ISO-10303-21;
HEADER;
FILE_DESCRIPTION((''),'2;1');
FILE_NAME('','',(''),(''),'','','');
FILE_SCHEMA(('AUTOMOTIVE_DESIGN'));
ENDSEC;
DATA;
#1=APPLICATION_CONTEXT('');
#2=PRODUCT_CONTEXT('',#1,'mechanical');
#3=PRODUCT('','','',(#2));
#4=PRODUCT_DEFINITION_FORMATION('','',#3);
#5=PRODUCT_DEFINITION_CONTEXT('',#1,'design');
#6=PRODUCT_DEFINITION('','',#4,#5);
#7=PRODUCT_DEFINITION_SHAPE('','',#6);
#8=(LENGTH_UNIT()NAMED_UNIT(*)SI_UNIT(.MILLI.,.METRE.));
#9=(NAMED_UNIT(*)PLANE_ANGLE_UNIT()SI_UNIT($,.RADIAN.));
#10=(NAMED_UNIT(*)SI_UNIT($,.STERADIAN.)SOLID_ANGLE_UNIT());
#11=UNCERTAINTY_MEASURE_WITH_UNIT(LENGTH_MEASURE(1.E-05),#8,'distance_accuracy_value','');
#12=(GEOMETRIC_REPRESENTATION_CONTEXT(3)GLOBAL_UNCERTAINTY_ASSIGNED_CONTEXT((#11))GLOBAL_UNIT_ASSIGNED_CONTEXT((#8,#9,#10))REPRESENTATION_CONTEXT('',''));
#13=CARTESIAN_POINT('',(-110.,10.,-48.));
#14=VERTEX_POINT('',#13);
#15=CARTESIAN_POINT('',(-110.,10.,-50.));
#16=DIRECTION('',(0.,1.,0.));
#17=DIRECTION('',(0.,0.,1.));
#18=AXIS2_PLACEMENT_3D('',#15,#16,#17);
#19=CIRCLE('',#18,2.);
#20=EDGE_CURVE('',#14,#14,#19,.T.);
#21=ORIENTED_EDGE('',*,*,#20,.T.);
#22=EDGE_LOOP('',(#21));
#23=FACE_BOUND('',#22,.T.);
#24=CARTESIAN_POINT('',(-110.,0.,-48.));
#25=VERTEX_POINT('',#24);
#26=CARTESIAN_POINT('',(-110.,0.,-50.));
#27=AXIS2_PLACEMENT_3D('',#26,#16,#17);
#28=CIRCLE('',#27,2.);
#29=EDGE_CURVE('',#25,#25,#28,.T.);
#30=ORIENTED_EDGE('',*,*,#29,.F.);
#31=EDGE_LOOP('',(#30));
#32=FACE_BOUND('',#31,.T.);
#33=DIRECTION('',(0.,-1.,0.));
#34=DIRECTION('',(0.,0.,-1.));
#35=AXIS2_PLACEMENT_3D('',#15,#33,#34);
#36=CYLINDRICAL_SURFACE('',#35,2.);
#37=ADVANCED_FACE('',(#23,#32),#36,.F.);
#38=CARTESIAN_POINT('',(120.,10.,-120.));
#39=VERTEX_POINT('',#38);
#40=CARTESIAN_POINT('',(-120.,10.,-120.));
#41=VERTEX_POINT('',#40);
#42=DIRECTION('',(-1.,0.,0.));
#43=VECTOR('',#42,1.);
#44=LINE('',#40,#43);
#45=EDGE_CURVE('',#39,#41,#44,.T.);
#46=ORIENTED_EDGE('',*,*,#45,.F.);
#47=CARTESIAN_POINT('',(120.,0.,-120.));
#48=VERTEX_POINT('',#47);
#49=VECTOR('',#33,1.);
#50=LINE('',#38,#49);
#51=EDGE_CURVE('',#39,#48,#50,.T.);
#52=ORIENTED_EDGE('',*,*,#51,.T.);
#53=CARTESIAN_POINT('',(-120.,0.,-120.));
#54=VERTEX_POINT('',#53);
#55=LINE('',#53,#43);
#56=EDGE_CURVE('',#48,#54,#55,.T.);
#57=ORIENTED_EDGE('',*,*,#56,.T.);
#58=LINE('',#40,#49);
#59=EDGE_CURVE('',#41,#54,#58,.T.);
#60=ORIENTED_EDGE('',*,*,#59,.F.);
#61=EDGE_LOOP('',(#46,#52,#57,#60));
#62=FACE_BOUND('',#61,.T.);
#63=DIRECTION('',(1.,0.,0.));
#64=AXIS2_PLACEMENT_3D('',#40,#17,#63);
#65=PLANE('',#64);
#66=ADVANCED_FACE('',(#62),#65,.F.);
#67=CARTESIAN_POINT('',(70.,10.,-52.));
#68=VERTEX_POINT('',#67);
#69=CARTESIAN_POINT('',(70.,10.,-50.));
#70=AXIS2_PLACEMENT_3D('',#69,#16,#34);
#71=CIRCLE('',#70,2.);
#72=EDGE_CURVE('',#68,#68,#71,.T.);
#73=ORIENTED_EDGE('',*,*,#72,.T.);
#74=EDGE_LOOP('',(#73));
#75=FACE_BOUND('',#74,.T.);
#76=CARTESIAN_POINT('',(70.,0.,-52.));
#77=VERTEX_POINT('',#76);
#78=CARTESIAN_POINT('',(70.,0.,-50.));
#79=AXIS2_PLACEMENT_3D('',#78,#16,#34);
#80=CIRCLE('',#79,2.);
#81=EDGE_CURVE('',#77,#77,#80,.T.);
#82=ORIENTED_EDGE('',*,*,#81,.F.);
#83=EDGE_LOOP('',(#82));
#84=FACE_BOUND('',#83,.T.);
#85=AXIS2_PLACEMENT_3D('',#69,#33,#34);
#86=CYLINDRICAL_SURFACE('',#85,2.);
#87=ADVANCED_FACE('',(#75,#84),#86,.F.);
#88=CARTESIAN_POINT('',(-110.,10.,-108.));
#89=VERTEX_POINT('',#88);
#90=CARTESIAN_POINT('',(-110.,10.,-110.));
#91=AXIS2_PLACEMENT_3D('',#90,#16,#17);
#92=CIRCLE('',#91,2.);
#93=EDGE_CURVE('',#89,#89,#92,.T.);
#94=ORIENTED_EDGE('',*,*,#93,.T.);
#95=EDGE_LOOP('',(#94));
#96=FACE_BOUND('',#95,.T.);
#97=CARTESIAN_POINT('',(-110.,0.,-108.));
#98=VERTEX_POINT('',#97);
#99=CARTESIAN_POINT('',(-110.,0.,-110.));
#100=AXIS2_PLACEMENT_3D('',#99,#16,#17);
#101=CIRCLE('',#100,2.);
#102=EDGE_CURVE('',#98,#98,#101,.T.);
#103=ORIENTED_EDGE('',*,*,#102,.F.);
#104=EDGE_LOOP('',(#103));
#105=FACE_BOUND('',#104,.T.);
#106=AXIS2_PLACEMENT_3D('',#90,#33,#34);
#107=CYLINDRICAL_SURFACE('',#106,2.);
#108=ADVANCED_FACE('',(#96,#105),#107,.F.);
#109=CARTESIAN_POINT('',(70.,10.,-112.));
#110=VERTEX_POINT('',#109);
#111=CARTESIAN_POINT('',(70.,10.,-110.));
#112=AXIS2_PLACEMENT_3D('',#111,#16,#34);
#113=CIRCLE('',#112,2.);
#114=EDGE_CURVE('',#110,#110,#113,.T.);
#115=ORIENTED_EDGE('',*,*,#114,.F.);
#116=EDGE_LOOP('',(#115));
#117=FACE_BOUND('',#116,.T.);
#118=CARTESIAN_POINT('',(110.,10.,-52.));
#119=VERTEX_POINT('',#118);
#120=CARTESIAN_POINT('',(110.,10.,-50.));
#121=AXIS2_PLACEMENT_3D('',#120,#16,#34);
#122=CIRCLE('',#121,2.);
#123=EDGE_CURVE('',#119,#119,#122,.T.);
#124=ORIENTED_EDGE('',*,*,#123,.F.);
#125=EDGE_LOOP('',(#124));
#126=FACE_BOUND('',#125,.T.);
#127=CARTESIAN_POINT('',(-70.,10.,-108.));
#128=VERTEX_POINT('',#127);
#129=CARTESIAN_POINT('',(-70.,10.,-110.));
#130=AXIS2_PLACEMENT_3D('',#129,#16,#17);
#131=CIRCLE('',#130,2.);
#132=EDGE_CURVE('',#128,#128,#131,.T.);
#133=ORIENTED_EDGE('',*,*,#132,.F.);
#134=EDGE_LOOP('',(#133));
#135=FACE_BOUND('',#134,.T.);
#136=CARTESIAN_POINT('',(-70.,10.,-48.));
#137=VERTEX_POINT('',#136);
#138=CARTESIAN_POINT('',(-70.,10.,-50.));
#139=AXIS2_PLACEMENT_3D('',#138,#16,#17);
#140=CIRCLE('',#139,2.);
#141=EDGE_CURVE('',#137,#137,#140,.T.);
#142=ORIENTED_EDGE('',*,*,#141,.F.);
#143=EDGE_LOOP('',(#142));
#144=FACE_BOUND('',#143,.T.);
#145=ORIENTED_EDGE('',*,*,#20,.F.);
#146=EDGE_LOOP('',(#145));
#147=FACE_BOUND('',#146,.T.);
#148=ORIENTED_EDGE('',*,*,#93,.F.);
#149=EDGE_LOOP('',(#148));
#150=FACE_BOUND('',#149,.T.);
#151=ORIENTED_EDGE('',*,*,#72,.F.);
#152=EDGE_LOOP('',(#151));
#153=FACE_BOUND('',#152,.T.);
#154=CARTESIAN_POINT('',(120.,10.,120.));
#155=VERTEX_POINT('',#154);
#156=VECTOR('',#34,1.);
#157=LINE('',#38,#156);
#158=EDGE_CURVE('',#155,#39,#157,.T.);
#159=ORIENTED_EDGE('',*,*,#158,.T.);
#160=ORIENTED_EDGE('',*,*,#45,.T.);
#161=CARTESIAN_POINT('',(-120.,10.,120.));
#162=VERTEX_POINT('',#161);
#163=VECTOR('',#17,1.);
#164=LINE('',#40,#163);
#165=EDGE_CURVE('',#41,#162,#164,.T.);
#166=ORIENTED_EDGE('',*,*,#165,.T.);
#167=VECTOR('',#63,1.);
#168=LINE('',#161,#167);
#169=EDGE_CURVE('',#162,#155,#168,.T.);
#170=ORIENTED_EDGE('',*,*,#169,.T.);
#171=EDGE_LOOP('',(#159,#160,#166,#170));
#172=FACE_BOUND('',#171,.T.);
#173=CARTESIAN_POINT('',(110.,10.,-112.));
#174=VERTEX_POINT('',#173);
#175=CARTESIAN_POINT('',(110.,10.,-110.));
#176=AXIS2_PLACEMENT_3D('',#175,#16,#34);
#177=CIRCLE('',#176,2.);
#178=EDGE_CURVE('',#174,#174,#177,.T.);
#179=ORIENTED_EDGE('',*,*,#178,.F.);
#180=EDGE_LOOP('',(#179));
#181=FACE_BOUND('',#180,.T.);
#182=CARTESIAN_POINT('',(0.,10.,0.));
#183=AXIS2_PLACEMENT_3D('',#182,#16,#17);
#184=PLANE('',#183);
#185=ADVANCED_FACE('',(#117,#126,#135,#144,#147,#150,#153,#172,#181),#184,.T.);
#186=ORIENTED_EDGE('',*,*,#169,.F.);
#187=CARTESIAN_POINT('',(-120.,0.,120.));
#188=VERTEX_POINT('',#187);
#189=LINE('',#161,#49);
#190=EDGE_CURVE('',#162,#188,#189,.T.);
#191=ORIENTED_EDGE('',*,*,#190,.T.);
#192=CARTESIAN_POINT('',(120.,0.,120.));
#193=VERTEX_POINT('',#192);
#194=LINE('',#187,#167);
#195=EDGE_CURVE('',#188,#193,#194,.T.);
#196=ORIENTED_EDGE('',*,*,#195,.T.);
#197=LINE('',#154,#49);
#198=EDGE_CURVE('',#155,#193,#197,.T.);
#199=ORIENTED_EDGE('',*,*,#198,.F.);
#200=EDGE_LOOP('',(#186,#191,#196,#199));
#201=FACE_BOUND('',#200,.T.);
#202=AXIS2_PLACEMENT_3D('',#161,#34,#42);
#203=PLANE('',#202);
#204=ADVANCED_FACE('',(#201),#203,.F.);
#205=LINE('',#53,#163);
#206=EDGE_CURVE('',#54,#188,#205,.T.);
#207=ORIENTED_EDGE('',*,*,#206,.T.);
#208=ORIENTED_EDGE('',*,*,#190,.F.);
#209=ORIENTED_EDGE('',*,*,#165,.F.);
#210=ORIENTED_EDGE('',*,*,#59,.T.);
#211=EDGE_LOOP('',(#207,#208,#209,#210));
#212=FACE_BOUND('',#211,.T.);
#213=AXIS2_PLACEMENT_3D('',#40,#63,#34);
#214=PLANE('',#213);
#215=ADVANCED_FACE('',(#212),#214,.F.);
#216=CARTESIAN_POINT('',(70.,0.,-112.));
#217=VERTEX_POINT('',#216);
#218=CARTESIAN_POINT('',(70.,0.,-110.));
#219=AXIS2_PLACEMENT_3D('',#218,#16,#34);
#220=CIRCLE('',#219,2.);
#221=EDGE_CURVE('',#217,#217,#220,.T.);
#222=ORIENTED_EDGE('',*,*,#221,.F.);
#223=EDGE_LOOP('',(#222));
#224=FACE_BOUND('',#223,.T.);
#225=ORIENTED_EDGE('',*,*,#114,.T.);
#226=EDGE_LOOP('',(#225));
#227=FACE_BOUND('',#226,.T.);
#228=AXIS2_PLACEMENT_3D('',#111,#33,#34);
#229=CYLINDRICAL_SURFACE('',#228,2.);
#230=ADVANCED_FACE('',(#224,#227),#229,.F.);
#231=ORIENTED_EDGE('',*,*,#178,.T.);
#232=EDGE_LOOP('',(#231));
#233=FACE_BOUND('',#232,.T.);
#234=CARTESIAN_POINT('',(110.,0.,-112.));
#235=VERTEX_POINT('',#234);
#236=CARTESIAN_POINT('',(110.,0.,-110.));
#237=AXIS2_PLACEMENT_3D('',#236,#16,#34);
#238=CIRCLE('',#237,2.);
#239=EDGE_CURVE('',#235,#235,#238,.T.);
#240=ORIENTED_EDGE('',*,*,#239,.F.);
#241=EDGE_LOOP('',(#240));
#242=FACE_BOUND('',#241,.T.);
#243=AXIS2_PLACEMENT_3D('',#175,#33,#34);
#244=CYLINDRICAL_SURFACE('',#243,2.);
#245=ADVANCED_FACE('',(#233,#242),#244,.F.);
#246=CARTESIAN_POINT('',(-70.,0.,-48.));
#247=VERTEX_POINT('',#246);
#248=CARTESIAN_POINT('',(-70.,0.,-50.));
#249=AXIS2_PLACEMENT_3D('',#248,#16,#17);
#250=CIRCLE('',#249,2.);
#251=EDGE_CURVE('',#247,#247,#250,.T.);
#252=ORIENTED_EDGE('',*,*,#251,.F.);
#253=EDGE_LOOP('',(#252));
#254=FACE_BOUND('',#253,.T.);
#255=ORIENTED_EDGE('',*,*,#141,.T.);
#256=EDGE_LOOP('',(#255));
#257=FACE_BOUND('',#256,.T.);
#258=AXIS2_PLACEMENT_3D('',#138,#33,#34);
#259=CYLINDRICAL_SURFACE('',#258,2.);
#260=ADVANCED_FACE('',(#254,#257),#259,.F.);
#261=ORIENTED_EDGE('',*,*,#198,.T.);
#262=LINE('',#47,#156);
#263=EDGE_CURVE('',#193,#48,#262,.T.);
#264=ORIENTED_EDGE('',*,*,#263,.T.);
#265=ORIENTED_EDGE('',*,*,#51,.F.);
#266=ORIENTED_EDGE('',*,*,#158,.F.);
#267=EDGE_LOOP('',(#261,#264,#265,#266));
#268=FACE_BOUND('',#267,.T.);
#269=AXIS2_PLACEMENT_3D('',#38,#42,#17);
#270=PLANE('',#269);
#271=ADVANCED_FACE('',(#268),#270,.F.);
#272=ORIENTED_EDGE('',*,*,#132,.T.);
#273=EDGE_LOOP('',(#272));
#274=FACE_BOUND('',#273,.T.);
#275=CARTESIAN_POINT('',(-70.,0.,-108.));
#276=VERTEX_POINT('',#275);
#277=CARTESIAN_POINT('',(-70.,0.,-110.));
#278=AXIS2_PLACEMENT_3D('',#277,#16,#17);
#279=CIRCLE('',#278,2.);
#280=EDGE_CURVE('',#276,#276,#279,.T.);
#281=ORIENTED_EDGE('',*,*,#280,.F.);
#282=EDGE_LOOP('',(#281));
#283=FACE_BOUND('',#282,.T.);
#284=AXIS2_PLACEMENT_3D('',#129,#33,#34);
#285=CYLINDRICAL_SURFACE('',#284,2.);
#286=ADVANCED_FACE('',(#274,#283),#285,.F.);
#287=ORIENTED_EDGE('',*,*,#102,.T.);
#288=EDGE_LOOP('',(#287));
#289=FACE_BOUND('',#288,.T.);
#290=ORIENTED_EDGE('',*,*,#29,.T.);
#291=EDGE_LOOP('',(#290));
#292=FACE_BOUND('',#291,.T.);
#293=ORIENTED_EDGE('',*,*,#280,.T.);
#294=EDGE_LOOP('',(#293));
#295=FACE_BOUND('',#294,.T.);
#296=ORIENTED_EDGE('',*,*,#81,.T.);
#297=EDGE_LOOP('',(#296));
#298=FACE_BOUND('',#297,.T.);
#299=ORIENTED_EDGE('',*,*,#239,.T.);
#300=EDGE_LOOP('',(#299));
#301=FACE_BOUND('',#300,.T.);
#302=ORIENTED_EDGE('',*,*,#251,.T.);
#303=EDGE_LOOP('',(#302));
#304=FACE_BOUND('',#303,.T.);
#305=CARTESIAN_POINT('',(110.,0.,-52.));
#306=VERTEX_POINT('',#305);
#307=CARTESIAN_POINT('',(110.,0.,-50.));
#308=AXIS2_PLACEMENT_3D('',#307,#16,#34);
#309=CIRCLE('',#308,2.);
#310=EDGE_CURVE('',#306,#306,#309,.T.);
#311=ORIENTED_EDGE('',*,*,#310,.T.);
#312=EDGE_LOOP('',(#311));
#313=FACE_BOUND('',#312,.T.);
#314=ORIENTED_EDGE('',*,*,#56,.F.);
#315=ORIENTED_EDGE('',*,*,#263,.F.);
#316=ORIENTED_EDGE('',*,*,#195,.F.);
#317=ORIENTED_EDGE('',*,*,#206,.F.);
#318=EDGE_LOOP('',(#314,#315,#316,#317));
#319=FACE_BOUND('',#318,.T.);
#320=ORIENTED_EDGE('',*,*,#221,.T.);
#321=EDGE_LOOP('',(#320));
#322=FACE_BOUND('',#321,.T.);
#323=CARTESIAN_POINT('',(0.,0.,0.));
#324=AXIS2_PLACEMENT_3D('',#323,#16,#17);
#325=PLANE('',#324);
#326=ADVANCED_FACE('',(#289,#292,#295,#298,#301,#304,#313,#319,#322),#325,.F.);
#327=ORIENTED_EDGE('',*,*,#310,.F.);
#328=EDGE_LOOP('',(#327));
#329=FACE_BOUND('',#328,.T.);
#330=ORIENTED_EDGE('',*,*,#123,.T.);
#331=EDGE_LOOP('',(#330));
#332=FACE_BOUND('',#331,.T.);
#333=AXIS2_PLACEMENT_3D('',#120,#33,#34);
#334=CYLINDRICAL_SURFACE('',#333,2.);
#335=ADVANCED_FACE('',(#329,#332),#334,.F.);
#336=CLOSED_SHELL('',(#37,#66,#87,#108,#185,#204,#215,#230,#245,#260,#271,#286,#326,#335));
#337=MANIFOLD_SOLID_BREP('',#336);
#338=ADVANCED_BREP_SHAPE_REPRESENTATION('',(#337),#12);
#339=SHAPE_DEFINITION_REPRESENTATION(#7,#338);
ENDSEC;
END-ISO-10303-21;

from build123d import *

# Parameters (mm, degrees)
ESBO_O2_W                = 240
ESBO_O2_H                = 240
ESBO_O2_R                = 2
RESSALTO_EXTRUS_O1_DEPTH = 10


with BuildPart() as part:
    # Esboço2 → Ressalto-extrusão1 (new body)
    with BuildSketch(Plane(origin=(0, 0, 0), x_dir=(1, 0, 0), z_dir=(0, 1, 0))):
        Rectangle(ESBO_O2_W, ESBO_O2_H)
        with Locations((-110, 110)):
            Circle(ESBO_O2_R, mode=Mode.SUBTRACT)
        with Locations((-110, 50)):
            Circle(ESBO_O2_R, mode=Mode.SUBTRACT)
        with Locations((-70, 110)):
            Circle(ESBO_O2_R, mode=Mode.SUBTRACT)
        with Locations((-70, 50)):
            Circle(ESBO_O2_R, mode=Mode.SUBTRACT)
        with Locations((70, 50)):
            Circle(ESBO_O2_R, mode=Mode.SUBTRACT)
        with Locations((70, 110)):
            Circle(ESBO_O2_R, mode=Mode.SUBTRACT)
        with Locations((110, 50)):
            Circle(ESBO_O2_R, mode=Mode.SUBTRACT)
        with Locations((110, 110)):
            Circle(ESBO_O2_R, mode=Mode.SUBTRACT)
    extrude(amount=RESSALTO_EXTRUS_O1_DEPTH)


solid = part.part
